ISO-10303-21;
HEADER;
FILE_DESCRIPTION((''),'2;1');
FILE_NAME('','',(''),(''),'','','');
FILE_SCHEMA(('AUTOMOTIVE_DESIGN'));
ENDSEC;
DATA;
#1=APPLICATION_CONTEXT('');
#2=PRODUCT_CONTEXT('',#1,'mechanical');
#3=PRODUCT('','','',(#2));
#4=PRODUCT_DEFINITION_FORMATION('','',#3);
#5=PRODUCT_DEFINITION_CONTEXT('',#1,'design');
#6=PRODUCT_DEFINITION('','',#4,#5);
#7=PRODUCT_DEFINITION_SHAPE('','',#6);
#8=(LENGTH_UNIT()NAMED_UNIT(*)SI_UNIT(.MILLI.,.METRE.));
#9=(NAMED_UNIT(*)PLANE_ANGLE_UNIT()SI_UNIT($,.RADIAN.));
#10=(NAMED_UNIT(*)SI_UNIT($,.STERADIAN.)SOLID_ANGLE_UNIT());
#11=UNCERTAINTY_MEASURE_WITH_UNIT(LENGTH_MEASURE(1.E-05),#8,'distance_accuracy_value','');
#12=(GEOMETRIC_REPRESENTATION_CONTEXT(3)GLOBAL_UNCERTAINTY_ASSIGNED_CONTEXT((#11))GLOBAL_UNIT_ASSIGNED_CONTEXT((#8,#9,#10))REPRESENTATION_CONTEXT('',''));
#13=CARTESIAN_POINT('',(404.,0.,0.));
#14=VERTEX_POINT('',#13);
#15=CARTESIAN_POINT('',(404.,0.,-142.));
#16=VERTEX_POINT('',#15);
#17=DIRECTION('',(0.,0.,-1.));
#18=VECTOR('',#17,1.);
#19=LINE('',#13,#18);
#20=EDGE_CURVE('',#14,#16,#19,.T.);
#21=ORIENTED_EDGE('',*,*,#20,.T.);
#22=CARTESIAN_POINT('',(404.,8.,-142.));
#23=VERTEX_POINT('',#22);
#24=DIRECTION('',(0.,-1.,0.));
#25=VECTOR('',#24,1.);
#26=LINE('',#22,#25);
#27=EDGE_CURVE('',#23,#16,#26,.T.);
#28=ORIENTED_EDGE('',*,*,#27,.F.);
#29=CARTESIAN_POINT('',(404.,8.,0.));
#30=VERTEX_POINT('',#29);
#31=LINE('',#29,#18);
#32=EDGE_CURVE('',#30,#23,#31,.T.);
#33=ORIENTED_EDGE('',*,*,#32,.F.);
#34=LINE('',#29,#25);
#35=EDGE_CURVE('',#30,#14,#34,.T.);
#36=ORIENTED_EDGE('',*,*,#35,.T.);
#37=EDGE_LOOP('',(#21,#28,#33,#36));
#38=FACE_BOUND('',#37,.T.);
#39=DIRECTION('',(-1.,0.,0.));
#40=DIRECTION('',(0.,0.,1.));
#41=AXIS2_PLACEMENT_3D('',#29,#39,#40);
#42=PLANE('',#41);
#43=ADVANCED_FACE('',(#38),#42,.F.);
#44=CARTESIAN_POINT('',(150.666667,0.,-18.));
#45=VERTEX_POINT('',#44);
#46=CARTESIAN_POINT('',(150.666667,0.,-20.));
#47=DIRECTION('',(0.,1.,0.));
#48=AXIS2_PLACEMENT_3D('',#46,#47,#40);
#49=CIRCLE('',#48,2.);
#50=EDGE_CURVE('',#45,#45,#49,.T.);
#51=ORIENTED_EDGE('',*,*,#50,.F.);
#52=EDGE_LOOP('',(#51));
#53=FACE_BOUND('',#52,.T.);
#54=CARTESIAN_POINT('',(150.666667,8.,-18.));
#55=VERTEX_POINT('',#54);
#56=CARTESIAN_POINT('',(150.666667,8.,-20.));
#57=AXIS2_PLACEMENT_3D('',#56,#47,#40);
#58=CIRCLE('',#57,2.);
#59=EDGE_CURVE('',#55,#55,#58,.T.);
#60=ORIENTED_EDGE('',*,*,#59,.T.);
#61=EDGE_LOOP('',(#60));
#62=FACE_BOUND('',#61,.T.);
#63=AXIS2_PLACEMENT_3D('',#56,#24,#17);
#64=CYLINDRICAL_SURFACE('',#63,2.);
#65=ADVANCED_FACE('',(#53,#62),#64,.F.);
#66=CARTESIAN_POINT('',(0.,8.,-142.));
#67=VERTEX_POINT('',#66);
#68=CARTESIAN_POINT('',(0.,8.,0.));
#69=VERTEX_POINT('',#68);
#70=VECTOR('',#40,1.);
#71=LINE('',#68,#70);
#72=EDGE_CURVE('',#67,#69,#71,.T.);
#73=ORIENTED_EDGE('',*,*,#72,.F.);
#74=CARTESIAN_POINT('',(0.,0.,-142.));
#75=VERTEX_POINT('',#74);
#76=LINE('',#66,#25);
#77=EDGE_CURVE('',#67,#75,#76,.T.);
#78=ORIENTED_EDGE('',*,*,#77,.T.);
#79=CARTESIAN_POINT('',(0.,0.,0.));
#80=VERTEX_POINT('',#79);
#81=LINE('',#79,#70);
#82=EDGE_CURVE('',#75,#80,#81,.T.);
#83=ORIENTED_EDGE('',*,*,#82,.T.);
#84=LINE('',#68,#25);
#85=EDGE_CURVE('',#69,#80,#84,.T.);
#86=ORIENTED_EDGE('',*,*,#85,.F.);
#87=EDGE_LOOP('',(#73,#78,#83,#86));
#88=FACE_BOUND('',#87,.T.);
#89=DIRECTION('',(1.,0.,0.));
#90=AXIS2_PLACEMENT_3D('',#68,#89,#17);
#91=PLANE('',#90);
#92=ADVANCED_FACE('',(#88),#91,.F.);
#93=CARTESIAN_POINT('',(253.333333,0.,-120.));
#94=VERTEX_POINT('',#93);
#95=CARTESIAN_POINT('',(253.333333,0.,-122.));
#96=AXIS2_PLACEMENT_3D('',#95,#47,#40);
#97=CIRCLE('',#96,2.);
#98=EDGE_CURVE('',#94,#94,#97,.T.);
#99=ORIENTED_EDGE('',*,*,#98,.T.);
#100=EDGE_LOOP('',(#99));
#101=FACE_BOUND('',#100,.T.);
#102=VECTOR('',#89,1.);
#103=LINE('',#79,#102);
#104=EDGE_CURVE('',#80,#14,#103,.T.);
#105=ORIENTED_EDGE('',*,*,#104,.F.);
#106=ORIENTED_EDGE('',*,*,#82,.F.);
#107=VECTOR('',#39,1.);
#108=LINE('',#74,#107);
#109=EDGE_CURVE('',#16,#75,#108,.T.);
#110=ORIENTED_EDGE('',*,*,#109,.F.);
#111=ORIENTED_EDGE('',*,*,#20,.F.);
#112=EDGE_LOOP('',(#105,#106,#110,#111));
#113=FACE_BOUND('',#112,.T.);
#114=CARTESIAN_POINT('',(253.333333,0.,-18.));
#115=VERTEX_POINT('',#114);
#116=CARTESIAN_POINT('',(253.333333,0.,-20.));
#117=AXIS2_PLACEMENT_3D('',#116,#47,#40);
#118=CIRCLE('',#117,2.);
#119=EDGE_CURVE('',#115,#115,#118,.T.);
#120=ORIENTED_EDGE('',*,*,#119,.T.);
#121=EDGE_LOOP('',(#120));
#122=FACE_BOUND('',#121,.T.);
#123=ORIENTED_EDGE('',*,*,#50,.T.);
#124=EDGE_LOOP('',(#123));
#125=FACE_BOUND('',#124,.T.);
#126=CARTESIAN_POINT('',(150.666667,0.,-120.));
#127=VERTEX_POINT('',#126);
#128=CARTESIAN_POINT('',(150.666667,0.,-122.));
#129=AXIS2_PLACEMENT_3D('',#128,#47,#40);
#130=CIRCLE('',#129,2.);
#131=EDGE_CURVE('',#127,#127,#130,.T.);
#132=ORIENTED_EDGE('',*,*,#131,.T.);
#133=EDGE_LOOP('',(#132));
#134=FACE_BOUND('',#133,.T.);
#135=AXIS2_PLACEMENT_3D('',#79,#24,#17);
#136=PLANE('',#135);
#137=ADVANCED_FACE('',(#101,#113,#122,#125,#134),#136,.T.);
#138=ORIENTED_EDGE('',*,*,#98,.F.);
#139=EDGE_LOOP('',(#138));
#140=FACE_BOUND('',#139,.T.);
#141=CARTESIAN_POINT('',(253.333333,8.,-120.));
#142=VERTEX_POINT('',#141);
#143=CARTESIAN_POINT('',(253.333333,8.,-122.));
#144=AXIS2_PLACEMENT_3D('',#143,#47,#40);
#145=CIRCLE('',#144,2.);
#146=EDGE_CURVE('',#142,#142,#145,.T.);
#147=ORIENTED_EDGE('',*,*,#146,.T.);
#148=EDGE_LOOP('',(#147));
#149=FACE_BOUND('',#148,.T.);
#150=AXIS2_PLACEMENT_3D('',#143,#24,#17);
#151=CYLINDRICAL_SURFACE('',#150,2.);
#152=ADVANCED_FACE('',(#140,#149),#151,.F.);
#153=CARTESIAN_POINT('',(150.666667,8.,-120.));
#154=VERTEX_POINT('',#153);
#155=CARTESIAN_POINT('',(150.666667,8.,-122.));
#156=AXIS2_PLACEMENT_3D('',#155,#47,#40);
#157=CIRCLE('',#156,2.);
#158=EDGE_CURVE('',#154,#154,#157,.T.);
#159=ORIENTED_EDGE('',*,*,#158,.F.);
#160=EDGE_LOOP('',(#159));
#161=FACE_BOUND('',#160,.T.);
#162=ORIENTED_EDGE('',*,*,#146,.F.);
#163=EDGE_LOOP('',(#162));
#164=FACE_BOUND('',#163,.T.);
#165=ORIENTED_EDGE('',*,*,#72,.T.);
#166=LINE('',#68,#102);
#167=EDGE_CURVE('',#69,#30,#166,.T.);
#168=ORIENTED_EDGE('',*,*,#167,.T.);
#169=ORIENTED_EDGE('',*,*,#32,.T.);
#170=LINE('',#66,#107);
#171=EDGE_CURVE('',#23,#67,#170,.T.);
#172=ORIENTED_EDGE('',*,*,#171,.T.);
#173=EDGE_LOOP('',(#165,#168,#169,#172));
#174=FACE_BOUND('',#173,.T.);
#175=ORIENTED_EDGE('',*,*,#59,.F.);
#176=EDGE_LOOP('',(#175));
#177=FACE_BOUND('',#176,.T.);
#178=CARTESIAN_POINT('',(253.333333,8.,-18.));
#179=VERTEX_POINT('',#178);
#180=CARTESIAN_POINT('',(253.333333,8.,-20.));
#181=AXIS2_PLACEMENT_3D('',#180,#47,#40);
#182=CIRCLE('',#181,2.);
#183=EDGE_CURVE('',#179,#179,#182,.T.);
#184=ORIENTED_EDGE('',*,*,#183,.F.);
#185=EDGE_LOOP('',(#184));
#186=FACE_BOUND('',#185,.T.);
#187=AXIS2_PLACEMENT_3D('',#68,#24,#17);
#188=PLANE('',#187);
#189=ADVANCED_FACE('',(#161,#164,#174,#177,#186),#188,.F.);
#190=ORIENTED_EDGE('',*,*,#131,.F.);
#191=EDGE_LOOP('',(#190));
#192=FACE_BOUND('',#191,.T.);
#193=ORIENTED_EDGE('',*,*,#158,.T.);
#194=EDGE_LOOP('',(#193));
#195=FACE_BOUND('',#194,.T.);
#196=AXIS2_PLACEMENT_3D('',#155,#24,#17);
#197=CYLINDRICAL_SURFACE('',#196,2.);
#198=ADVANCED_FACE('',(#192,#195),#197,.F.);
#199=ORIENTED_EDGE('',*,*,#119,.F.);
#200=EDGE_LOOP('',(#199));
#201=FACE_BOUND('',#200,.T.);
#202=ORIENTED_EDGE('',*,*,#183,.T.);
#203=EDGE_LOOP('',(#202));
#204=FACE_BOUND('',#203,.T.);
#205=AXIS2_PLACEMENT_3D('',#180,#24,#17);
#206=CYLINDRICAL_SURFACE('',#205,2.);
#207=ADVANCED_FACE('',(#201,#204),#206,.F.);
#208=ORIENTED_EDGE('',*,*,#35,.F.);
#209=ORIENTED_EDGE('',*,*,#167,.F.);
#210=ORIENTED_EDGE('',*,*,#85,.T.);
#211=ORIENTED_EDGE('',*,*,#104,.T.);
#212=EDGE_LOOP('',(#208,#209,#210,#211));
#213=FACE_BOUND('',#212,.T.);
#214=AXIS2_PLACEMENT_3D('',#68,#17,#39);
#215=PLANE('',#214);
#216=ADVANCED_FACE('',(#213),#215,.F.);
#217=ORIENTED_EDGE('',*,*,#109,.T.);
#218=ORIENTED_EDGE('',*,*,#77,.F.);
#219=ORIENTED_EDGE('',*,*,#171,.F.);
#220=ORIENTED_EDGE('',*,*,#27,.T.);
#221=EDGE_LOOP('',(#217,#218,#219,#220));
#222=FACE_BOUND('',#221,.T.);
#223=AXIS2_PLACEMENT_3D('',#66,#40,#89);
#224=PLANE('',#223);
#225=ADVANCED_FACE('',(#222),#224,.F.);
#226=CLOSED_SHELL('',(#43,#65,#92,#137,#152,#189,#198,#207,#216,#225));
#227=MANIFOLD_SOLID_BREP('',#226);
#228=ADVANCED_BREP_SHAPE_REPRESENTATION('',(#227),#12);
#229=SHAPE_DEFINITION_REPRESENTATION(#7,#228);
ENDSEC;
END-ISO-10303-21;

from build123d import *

# Parameters (mm, degrees)
SKETCH1_W           = 404
SKETCH1_H           = 142
SKETCH1_R           = 2
BOSS_EXTRUDE1_DEPTH = 8


with BuildPart() as part:
    # Sketch1 → Boss-Extrude1 (new body)
    with BuildSketch(Plane(origin=(0, 0, 0), x_dir=(1, 0, 0), z_dir=(0, 1, 0))):
        with Locations((202, 71)):
            Rectangle(SKETCH1_W, SKETCH1_H)
        with Locations(Location((150.666666667, 20, 0), (0, 0, 270))):
            Circle(SKETCH1_R, mode=Mode.SUBTRACT)
        with Locations(Location((253.333333333, 20, 0), (0, 0, 270))):
            Circle(SKETCH1_R, mode=Mode.SUBTRACT)
        with Locations(Location((253.333333333, 122, 0), (0, 0, 270))):
            Circle(SKETCH1_R, mode=Mode.SUBTRACT)
        with Locations(Location((150.666666667, 122, 0), (0, 0, 270))):
            Circle(SKETCH1_R, mode=Mode.SUBTRACT)
    extrude(amount=BOSS_EXTRUDE1_DEPTH)


solid = part.part
